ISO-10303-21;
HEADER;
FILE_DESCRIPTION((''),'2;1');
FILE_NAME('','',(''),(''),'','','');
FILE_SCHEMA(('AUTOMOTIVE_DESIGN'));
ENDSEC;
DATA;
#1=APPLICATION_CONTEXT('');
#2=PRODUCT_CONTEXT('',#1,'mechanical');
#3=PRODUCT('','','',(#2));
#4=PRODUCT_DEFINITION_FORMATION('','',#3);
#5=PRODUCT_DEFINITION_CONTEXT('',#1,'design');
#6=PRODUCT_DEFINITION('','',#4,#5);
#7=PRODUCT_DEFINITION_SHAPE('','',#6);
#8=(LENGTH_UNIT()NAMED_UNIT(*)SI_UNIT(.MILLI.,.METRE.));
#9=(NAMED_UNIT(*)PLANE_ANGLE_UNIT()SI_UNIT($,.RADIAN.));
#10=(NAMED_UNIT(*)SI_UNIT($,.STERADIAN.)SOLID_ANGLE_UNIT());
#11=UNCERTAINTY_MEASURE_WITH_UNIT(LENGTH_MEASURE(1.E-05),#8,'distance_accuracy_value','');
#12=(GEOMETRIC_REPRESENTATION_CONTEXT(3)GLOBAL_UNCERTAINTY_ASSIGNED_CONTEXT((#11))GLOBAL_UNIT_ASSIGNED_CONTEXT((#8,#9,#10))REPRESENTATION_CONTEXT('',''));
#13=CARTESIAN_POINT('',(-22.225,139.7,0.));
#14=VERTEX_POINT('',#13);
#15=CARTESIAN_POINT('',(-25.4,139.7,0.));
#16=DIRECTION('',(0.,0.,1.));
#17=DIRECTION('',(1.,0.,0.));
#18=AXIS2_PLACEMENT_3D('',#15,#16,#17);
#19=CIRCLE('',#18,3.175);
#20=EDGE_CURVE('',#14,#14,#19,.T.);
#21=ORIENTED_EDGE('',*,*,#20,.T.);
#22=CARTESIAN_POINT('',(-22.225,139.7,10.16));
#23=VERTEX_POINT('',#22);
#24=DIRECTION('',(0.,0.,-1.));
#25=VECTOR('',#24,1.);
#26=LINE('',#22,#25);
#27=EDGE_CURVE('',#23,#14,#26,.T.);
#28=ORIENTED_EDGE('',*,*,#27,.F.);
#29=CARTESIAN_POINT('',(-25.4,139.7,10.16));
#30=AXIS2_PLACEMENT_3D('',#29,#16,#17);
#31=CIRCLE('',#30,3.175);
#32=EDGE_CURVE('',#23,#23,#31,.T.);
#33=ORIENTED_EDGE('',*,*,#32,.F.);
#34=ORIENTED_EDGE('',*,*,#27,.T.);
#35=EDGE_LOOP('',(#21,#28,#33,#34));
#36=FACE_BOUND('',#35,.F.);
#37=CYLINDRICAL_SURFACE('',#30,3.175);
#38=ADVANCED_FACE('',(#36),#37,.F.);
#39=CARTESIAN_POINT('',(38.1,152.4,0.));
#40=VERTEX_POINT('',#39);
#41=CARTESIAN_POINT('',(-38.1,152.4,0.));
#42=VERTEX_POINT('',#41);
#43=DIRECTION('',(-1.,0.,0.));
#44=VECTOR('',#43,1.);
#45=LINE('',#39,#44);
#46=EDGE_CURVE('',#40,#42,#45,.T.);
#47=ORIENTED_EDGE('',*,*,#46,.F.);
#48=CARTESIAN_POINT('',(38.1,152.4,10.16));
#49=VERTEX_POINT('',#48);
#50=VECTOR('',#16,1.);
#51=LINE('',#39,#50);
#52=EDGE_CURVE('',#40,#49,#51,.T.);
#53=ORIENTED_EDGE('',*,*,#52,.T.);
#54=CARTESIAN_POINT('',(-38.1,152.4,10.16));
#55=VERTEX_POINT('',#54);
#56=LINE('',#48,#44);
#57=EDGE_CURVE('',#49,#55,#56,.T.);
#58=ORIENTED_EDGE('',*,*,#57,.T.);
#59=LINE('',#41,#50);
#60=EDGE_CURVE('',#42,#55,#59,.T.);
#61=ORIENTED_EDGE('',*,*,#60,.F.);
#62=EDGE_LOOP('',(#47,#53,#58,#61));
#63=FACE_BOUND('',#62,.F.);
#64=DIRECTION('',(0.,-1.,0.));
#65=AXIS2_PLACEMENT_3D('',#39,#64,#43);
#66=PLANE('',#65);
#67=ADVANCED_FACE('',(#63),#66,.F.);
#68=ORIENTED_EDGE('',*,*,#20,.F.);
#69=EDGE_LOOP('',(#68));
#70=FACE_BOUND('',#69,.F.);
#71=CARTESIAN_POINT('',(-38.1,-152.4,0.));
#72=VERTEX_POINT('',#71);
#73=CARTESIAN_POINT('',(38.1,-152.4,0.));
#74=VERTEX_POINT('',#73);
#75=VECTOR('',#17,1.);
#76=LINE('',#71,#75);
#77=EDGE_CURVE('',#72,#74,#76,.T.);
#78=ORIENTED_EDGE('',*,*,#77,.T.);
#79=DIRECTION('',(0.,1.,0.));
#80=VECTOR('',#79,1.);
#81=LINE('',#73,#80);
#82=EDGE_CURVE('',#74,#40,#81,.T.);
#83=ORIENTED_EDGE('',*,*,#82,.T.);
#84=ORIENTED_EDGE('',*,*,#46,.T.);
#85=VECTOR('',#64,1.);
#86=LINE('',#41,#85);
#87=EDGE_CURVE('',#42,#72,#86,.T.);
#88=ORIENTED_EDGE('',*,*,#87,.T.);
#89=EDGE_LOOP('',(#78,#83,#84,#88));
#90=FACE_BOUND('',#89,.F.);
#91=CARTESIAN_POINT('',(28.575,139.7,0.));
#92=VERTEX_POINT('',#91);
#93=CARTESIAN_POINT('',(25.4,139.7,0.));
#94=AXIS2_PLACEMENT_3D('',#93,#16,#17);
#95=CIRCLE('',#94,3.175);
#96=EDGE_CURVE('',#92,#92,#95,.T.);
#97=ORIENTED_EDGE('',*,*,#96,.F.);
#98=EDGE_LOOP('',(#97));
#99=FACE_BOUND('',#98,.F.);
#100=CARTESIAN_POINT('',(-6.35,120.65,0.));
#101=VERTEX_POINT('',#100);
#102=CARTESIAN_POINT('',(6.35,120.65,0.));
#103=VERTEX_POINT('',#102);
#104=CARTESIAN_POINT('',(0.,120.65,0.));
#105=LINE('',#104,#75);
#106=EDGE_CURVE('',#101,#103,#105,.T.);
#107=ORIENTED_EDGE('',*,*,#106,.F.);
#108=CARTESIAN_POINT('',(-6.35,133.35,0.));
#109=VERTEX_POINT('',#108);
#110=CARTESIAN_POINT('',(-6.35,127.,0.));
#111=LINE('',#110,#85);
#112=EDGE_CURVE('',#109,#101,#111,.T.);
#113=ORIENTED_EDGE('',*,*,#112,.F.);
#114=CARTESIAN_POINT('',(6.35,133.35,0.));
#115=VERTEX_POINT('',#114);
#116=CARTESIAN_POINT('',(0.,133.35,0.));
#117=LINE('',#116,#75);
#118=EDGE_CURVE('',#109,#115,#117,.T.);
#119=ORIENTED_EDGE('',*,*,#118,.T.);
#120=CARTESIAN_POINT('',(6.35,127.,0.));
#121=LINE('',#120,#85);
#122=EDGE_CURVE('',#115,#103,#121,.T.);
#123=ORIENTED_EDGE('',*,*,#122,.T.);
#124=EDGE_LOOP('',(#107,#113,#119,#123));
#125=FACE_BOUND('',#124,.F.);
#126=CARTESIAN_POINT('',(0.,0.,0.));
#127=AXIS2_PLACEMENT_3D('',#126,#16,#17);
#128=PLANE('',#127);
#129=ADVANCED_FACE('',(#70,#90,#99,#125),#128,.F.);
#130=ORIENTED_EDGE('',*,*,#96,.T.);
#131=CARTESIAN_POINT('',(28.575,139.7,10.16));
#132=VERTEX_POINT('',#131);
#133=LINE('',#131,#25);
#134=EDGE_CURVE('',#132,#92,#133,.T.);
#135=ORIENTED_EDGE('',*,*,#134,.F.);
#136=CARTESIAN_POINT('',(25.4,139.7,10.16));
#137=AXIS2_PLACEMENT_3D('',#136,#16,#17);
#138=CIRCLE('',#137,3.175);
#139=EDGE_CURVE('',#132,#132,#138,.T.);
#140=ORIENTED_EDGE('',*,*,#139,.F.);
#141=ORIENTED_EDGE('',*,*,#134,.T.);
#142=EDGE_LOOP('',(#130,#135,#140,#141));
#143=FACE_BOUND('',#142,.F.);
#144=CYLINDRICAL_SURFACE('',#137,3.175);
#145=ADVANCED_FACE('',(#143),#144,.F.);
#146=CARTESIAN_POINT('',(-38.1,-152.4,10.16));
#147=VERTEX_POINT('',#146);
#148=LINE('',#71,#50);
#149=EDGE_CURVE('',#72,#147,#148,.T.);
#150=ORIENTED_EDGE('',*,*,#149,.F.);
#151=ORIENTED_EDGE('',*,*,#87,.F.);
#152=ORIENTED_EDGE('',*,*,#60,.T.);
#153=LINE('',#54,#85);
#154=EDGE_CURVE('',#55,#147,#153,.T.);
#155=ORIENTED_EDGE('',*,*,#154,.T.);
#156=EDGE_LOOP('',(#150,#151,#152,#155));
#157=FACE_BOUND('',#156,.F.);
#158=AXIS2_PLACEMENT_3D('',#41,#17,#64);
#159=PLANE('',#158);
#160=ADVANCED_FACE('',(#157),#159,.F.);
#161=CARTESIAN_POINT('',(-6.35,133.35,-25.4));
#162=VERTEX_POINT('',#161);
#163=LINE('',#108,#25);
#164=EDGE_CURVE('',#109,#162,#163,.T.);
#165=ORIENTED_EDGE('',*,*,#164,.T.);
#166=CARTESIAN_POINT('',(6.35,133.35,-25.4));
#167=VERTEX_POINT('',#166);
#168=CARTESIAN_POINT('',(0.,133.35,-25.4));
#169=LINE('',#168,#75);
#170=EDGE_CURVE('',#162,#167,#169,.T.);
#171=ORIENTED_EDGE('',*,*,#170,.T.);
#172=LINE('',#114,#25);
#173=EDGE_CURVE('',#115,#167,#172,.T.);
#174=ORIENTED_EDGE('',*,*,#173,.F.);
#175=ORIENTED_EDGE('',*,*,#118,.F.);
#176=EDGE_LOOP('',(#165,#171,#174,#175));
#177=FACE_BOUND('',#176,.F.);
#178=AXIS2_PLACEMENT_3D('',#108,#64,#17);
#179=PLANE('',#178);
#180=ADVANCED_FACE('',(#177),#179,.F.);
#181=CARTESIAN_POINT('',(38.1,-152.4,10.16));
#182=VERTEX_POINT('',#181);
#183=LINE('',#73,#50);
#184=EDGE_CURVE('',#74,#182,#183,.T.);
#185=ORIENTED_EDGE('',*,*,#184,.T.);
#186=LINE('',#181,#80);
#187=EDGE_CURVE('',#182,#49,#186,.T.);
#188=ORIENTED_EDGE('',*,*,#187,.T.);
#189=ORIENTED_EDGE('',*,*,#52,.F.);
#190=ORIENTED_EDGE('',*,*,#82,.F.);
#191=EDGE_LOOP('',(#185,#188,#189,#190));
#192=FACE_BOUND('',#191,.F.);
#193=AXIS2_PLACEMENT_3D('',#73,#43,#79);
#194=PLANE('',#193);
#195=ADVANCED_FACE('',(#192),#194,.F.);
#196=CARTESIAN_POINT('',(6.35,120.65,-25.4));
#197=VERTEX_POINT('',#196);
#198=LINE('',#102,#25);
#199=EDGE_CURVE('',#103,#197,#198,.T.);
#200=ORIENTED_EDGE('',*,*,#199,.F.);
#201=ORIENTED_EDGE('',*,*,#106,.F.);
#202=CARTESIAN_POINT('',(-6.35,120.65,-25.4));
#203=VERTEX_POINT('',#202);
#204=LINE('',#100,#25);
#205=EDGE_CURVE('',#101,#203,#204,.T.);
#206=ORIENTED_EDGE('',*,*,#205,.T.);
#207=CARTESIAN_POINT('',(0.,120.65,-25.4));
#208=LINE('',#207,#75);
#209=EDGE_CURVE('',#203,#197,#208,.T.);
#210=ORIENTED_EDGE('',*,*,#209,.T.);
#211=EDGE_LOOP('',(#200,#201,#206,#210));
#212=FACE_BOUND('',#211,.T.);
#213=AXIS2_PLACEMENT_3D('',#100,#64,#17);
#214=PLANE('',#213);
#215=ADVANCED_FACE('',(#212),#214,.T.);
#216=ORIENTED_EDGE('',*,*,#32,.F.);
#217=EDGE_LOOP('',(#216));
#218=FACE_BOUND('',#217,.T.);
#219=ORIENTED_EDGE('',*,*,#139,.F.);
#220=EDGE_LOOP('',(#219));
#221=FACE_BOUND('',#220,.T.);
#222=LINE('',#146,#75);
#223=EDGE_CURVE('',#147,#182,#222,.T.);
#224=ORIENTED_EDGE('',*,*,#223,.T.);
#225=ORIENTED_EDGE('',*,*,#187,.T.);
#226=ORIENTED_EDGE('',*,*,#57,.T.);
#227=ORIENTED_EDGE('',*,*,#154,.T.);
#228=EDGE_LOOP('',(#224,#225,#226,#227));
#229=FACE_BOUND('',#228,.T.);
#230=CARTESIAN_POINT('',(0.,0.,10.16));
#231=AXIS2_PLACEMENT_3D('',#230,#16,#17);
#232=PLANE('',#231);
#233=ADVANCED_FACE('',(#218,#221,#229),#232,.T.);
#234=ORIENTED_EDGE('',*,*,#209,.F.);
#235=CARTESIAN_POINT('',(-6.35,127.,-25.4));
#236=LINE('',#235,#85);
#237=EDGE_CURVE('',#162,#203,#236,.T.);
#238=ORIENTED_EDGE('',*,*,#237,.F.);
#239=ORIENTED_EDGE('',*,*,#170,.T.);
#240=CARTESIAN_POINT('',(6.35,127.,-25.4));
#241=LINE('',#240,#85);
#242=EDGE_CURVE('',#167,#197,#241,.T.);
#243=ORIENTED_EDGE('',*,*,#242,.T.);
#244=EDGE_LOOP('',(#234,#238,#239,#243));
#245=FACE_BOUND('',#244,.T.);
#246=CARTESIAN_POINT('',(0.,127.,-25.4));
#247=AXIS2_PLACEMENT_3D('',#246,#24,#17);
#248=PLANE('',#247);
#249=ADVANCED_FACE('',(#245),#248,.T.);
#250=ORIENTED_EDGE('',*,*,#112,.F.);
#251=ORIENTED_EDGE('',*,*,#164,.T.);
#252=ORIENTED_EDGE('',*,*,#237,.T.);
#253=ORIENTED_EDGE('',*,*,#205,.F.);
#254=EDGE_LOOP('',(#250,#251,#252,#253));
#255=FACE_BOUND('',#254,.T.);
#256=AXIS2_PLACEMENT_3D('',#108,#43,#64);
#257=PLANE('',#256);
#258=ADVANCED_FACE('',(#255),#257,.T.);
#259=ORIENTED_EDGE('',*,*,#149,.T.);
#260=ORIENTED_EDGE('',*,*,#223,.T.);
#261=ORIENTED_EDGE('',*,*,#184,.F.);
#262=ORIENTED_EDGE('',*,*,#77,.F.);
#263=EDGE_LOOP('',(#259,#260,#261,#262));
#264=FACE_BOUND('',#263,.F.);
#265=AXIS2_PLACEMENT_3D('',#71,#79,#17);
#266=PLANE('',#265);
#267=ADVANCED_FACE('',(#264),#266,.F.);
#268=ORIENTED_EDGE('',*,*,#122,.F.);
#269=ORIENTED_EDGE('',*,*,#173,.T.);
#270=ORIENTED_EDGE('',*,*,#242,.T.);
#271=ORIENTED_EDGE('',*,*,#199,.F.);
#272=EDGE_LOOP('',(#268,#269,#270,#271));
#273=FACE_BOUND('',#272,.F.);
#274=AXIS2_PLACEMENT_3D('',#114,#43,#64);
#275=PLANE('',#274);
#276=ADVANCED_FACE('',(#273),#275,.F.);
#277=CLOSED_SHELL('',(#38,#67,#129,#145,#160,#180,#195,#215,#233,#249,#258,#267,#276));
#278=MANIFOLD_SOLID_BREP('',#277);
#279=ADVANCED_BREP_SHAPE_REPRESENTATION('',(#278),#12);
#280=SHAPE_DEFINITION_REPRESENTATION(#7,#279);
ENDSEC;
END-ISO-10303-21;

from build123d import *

# Parameters (mm, degrees)
F1_DEPTH = 10.16
F2_R     = 3.175
F3_DEPTH = 25.4
F4_W     = 12.7
F4_H     = 12.7
F5_DEPTH = 25.4


with BuildPart() as f1:
    # F0 (on Top) → F1 (new body)
    with BuildSketch(Plane.XY):
        Polygon((-38.1, 152.4), (-38.1, -76.2), (-38.1, -152.4), (38.1, -152.4), (38.1, -76.2), (38.1, 152.4), align=None)
    extrude(amount=F1_DEPTH)

    # F2 (on face) → F3 (cut)
    with BuildSketch(Plane.XY.offset(10.16)):
        with Locations((25.4, 139.7)):
            Circle(F2_R)
        with Locations((-25.4, 139.7)):
            Circle(F2_R)
    extrude(amount=-F3_DEPTH, mode=Mode.SUBTRACT)

    # F4 (on face) → F5 (join)
    with BuildSketch(Plane(origin=(0, 0, 0), x_dir=(1, 0, 0), z_dir=(0, 0, -1))):
        with Locations((0, -127)):
            Rectangle(F4_W, F4_H)
    extrude(amount=F5_DEPTH)


solid = f1.part
